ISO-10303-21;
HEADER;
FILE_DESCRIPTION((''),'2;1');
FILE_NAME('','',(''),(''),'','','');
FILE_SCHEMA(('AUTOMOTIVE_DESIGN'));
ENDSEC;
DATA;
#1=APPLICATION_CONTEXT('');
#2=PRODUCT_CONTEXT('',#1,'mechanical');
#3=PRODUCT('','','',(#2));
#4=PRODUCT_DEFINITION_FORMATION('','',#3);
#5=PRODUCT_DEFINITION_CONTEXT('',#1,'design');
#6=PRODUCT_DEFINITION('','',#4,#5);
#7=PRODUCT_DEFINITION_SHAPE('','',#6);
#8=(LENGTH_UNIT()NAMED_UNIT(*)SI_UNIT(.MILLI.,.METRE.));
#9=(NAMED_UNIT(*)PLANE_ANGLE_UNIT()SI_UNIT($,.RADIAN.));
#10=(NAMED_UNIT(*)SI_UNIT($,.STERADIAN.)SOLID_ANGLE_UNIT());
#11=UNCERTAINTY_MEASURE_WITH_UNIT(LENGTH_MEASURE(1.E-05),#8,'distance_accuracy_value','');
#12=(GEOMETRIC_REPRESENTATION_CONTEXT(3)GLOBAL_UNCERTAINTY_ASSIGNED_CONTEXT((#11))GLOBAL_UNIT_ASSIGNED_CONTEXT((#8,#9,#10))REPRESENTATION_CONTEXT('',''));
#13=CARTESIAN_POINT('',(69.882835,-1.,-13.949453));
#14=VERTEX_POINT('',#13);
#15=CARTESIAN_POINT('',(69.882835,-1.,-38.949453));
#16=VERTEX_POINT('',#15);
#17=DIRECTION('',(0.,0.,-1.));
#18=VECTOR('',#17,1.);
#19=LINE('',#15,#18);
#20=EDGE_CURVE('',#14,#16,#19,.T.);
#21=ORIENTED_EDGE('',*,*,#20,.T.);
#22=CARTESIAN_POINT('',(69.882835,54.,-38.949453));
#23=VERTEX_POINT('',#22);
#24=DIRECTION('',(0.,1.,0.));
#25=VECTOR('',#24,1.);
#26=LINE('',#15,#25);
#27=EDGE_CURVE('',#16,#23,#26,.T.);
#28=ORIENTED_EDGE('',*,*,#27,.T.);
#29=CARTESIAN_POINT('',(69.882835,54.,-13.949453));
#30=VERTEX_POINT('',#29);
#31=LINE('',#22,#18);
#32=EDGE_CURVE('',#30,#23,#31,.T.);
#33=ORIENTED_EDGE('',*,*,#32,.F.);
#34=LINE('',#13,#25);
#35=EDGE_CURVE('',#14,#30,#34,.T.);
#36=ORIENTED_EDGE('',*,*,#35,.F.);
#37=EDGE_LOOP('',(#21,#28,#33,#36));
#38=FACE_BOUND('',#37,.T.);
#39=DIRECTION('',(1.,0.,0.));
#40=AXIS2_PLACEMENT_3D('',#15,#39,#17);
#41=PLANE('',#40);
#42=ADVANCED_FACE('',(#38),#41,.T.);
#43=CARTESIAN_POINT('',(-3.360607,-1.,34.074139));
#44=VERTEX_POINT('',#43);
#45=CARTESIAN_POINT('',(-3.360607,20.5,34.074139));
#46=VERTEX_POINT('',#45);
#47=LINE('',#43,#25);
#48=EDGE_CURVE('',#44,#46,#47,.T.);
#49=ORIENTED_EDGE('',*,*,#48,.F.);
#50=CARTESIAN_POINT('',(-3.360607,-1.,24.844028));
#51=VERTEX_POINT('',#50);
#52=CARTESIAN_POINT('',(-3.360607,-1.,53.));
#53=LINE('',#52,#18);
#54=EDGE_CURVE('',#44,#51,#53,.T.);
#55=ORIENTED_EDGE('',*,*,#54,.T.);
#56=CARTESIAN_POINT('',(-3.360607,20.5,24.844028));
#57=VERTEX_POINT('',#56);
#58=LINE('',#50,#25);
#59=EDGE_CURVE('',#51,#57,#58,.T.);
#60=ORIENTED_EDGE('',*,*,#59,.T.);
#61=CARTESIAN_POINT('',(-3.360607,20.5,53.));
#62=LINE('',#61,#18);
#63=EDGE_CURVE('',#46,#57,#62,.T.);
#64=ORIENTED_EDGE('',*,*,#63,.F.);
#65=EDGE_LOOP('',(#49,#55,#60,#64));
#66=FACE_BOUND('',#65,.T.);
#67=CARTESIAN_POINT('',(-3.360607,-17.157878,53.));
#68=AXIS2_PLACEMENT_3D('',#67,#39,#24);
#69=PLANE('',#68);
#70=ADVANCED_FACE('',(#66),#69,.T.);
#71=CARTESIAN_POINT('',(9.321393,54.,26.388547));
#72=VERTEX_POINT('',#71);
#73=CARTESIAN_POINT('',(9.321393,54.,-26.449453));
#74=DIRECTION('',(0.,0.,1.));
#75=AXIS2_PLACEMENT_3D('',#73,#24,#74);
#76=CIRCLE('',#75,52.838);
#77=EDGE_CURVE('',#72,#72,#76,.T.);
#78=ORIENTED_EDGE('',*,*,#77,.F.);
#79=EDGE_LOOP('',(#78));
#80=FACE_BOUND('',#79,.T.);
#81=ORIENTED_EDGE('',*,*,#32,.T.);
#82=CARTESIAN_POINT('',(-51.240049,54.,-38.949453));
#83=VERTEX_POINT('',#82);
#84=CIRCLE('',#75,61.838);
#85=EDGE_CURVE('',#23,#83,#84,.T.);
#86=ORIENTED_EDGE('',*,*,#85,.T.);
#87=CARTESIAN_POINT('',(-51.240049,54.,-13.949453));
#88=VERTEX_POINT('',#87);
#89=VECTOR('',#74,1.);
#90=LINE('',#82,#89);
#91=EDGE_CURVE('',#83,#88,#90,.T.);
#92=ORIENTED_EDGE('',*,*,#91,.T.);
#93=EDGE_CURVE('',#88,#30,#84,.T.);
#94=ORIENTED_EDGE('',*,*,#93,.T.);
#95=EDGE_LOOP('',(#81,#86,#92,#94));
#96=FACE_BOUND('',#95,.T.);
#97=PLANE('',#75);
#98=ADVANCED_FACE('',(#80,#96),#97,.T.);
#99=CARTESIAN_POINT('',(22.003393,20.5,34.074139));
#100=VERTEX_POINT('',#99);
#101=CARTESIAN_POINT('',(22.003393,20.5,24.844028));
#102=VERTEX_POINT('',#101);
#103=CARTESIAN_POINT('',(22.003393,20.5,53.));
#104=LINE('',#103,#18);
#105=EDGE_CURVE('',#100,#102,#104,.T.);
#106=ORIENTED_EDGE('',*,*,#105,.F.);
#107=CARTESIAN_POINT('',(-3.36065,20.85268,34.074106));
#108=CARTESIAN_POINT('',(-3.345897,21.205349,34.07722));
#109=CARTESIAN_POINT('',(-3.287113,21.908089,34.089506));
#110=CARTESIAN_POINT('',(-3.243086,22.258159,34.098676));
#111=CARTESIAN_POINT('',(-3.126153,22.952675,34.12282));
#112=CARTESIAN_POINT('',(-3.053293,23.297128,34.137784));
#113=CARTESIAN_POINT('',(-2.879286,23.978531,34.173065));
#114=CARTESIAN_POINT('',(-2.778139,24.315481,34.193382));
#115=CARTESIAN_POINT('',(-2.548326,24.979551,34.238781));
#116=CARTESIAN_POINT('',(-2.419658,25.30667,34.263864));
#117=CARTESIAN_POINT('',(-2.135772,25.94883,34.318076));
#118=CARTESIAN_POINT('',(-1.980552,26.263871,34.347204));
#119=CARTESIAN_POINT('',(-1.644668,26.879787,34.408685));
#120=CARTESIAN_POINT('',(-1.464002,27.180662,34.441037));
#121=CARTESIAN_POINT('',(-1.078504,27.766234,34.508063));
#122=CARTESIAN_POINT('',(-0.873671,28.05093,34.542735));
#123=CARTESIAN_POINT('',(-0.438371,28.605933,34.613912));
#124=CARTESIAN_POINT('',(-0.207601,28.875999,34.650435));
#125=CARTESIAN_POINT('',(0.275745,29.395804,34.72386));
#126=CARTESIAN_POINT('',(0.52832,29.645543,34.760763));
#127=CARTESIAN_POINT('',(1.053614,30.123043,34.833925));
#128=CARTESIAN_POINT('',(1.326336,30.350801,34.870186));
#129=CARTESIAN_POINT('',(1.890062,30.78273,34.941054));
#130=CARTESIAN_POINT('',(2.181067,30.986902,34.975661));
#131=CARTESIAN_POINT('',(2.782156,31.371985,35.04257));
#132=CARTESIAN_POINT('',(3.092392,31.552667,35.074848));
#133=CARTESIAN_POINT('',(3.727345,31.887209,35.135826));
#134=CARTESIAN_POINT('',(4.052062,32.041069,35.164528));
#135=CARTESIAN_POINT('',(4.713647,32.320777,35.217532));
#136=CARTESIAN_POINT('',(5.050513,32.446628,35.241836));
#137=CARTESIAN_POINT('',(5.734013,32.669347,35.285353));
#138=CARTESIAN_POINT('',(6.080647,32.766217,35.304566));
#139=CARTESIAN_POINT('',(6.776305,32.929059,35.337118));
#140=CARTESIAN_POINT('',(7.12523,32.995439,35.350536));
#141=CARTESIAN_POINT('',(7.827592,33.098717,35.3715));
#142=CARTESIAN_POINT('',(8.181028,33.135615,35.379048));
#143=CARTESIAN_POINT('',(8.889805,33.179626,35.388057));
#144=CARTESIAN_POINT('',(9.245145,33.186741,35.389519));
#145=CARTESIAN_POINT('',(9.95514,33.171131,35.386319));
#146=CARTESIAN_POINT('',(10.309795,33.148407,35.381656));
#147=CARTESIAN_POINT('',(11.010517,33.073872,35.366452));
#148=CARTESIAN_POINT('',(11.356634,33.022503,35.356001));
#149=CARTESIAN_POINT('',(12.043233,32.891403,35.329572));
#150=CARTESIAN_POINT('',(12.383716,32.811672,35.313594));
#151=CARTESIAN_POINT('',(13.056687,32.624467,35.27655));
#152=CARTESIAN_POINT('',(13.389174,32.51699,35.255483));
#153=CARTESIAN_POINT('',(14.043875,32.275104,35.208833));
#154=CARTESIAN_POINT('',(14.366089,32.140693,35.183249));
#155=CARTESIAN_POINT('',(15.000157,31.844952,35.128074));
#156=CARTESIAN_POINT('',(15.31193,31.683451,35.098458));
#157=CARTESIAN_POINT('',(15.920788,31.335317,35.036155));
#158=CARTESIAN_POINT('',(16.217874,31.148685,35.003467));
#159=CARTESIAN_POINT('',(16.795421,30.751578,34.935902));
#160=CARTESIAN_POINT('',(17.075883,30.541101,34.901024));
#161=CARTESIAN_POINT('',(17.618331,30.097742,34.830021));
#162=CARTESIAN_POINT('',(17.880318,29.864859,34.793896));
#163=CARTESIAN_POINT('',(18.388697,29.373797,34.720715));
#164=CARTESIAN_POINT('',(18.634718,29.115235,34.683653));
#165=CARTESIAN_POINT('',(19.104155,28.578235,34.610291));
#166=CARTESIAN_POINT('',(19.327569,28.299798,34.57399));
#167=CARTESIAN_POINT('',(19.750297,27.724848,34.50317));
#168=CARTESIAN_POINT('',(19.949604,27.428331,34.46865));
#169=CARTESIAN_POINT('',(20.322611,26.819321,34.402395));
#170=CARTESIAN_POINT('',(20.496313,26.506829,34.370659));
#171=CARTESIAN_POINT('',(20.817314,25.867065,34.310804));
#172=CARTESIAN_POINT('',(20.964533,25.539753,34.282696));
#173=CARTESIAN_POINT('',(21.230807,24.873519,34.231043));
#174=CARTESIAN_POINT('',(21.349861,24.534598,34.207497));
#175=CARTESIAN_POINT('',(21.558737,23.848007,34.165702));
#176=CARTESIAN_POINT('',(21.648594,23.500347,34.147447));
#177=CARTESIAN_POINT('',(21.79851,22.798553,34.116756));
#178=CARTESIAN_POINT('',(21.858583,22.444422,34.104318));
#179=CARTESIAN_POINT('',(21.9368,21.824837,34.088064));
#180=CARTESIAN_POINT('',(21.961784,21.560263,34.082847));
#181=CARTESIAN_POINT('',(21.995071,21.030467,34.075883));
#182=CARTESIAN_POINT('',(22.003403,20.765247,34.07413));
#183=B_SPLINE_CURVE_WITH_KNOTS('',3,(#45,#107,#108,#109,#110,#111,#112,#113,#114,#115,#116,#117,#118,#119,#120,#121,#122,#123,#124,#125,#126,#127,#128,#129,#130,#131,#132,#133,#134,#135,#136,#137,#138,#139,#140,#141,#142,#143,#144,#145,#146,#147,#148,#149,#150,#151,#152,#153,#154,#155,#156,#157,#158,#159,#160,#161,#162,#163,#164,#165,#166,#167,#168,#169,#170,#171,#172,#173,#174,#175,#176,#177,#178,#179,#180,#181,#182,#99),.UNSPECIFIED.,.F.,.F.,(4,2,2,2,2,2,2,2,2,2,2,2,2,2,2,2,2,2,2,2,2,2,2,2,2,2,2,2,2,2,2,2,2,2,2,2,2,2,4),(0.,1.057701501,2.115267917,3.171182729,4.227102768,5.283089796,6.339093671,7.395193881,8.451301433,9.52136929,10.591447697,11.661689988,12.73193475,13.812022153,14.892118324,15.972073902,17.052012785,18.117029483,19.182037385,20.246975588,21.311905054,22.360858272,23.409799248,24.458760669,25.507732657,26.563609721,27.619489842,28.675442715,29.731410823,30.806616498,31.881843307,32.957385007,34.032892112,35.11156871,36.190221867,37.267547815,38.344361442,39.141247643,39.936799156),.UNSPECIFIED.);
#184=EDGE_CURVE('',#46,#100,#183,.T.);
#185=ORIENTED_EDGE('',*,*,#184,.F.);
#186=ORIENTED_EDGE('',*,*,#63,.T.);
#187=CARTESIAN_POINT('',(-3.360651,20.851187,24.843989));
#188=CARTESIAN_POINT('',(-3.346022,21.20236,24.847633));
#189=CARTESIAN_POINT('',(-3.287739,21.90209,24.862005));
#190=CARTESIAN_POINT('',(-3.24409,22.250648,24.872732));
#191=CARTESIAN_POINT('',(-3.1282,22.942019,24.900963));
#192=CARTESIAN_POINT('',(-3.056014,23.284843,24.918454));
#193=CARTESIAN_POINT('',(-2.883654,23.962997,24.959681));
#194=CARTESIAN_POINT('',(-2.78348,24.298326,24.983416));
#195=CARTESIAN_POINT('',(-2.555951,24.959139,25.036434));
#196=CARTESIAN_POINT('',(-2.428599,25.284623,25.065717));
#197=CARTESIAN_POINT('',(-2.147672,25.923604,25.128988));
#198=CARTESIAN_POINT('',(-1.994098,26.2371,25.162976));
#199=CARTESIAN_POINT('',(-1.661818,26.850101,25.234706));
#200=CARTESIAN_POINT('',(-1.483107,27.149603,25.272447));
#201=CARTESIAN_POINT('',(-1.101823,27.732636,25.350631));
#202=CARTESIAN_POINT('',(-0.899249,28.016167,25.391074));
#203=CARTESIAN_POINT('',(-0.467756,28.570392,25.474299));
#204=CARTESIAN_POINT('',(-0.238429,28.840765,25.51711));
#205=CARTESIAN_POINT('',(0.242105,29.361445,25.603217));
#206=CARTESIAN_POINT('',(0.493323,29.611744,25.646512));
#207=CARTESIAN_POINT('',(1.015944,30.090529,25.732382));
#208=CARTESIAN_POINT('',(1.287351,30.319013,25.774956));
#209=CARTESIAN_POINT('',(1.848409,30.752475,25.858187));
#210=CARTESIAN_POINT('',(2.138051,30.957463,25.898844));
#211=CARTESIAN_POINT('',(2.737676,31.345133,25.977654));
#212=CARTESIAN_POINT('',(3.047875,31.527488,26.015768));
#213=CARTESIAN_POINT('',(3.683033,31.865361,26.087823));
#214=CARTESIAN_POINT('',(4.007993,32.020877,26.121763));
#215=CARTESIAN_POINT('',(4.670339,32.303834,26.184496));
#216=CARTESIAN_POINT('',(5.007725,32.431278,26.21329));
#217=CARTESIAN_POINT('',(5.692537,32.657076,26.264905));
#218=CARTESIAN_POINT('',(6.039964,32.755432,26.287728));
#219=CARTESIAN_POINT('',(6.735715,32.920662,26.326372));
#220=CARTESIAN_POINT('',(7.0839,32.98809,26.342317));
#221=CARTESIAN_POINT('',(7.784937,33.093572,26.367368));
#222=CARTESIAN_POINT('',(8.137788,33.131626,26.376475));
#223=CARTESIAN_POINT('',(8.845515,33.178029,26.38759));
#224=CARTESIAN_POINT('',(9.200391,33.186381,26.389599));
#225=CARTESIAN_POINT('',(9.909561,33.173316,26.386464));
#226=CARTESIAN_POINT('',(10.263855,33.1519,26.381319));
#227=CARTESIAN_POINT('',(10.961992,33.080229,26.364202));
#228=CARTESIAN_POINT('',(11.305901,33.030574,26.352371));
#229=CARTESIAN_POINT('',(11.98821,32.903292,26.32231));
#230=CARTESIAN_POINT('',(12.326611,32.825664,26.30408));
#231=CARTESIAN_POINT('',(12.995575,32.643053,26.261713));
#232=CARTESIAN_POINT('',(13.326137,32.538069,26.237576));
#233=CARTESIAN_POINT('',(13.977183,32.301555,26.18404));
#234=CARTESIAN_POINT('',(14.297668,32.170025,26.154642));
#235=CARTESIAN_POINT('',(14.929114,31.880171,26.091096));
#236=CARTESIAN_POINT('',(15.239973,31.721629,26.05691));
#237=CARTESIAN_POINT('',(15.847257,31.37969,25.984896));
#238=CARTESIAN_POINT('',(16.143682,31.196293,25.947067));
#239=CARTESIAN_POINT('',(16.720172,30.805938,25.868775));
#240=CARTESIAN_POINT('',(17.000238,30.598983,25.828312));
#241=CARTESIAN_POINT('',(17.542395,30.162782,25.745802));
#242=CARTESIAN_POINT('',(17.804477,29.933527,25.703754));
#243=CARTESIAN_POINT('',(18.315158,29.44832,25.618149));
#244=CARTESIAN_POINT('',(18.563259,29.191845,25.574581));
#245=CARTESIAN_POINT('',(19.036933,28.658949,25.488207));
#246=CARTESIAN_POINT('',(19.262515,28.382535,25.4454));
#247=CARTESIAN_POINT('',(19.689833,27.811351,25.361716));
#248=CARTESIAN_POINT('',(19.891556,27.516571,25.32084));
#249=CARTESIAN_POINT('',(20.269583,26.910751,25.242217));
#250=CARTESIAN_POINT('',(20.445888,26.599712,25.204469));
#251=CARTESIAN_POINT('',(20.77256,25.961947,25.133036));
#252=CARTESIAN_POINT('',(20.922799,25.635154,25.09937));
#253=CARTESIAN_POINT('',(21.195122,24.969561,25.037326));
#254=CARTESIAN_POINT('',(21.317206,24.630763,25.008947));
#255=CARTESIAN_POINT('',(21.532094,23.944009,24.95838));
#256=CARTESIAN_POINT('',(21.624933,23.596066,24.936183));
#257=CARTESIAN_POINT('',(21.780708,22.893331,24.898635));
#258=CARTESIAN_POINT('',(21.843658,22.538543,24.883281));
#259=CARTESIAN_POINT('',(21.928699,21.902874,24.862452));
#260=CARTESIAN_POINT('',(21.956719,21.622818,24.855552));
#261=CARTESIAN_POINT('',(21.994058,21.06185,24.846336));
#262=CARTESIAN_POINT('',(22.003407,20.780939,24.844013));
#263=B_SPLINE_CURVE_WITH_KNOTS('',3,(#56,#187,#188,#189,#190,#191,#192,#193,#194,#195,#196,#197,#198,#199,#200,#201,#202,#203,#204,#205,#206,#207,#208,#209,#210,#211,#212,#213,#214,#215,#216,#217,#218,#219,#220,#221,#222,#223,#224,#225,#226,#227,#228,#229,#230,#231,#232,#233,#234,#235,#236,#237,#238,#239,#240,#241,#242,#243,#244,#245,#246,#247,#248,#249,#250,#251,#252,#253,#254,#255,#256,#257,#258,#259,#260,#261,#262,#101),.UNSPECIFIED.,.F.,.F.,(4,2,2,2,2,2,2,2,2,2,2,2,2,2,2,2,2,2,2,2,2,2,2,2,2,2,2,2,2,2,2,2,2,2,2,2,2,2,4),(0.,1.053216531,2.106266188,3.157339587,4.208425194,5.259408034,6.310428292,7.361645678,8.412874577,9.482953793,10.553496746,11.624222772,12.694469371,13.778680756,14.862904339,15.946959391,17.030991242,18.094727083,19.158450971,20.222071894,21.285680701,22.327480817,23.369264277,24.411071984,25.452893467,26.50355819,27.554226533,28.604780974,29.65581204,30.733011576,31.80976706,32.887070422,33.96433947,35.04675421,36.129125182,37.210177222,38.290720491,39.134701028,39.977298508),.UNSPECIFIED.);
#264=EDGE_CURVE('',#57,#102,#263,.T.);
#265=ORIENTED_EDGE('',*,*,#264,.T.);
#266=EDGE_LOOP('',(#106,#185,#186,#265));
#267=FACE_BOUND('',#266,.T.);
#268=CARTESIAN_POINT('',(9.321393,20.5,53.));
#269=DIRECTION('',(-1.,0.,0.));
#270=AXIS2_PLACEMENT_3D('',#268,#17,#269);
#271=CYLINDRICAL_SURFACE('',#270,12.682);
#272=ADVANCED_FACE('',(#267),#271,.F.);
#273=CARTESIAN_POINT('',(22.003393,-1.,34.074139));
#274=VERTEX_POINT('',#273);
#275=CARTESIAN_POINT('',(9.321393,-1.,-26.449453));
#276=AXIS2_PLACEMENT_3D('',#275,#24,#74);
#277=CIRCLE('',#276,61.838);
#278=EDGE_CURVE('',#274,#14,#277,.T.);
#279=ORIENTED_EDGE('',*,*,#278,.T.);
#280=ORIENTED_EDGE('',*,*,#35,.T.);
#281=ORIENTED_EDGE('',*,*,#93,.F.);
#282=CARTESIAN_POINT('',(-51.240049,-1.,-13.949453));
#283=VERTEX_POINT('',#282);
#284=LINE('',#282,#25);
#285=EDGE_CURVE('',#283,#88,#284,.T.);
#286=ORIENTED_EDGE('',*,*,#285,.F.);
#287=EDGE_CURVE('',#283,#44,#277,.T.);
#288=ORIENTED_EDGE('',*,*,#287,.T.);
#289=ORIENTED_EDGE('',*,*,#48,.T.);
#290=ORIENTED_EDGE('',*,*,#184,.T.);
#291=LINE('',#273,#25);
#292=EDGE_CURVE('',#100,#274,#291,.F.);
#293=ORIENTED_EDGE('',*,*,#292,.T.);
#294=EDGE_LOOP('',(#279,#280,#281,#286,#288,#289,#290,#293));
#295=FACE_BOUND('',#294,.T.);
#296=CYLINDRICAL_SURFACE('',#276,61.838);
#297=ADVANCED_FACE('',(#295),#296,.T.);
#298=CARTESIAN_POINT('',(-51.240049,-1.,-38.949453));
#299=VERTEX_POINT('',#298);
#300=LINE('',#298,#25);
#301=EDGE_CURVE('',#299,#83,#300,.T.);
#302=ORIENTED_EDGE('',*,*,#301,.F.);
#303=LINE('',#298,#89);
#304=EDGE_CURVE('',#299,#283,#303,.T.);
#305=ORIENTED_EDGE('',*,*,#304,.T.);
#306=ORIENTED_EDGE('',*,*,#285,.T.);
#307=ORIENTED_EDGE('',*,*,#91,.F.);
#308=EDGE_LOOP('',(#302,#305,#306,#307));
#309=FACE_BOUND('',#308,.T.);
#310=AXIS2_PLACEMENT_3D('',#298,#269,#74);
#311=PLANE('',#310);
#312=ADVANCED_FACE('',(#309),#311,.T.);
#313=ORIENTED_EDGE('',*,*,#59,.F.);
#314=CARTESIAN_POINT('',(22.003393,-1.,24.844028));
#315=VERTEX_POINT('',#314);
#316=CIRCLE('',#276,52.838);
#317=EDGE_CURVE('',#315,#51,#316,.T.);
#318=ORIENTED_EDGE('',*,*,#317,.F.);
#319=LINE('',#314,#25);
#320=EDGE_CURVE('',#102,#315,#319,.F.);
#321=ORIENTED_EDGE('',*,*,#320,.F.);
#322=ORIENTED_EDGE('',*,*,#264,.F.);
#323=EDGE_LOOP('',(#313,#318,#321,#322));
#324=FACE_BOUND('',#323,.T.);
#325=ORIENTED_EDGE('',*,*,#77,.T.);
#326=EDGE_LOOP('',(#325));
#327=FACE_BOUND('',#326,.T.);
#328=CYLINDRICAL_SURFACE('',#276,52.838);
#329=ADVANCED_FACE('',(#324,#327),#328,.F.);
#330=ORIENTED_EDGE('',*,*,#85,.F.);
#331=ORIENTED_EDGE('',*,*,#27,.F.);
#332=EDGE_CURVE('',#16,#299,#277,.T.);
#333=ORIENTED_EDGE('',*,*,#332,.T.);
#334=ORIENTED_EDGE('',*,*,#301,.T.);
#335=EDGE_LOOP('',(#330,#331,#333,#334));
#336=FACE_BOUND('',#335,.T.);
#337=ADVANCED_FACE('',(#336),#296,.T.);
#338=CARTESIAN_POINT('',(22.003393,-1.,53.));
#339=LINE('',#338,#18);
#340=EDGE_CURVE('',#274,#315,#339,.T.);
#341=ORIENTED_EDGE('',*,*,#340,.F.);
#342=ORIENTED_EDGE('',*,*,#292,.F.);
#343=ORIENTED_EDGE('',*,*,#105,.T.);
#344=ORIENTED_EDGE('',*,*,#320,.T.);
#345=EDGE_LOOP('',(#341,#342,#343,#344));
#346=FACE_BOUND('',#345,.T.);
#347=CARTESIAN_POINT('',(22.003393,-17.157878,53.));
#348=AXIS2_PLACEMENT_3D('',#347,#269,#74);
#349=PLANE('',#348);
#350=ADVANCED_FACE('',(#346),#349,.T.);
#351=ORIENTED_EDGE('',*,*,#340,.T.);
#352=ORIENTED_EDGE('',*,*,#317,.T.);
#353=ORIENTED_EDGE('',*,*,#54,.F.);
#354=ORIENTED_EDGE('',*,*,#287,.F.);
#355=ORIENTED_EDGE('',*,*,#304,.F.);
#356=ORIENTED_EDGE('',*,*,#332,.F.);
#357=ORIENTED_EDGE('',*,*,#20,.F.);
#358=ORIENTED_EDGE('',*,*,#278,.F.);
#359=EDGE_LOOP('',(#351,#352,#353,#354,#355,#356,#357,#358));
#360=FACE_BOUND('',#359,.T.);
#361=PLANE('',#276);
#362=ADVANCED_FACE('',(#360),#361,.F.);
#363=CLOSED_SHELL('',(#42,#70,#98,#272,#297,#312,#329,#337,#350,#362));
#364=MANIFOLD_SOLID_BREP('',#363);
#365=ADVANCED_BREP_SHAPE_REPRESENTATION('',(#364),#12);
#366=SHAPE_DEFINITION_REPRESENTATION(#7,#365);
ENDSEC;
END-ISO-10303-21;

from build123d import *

# Parameters (mm, degrees)
BOSS_EXTRUDE1_DEPTH      = 54
BOSS_EXTRUDE1_DEPTH_BACK = 1
SKETCH1_R                = 52.838
CUT_EXTRUDE1_DEPTH       = 53


with BuildPart() as part:
    # Sketch1 → Boss-Extrude1 (new, two sides: drawn at the far end of the back side and taken through both)
    with BuildSketch(Plane(origin=(0, 0, 0), x_dir=(1, 0, 0), z_dir=(0, 1, 0)).offset(-BOSS_EXTRUDE1_DEPTH_BACK)):
        with BuildLine():
            Line((-51.240048916, 38.94945257), (-51.240048916, 13.94945257))
            ThreePointArc((-51.240048916, 13.94945257), (9.321392976, -35.38854743), (69.882834868, 13.94945257))
            Line((69.882834868, 13.94945257), (69.882834868, 38.94945257))
            ThreePointArc((69.882834868, 38.94945257), (9.321392976, 88.28745257), (-51.240048916, 38.94945257))
        make_face()
        with Locations(Location((9.321392976, 26.44945257, 0), (0, 0, 270))):
            Circle(SKETCH1_R, mode=Mode.SUBTRACT)
    extrude(amount=BOSS_EXTRUDE1_DEPTH + BOSS_EXTRUDE1_DEPTH_BACK)

    # Sketch2 → Cut-Extrude1 (cut)
    with BuildSketch(Plane.XY):
        with BuildLine():
            Line((-3.360607024, 20.5), (-3.360607024, -1))
            Line((-3.360607024, -1), (22.003392976, -1))
            Line((22.003392976, -1), (22.003392976, 20.5))
            ThreePointArc((22.003392976, 20.5), (9.321392976, 33.182), (-3.360607024, 20.5))
        make_face()
    extrude(amount=CUT_EXTRUDE1_DEPTH, mode=Mode.SUBTRACT)


solid = part.part
